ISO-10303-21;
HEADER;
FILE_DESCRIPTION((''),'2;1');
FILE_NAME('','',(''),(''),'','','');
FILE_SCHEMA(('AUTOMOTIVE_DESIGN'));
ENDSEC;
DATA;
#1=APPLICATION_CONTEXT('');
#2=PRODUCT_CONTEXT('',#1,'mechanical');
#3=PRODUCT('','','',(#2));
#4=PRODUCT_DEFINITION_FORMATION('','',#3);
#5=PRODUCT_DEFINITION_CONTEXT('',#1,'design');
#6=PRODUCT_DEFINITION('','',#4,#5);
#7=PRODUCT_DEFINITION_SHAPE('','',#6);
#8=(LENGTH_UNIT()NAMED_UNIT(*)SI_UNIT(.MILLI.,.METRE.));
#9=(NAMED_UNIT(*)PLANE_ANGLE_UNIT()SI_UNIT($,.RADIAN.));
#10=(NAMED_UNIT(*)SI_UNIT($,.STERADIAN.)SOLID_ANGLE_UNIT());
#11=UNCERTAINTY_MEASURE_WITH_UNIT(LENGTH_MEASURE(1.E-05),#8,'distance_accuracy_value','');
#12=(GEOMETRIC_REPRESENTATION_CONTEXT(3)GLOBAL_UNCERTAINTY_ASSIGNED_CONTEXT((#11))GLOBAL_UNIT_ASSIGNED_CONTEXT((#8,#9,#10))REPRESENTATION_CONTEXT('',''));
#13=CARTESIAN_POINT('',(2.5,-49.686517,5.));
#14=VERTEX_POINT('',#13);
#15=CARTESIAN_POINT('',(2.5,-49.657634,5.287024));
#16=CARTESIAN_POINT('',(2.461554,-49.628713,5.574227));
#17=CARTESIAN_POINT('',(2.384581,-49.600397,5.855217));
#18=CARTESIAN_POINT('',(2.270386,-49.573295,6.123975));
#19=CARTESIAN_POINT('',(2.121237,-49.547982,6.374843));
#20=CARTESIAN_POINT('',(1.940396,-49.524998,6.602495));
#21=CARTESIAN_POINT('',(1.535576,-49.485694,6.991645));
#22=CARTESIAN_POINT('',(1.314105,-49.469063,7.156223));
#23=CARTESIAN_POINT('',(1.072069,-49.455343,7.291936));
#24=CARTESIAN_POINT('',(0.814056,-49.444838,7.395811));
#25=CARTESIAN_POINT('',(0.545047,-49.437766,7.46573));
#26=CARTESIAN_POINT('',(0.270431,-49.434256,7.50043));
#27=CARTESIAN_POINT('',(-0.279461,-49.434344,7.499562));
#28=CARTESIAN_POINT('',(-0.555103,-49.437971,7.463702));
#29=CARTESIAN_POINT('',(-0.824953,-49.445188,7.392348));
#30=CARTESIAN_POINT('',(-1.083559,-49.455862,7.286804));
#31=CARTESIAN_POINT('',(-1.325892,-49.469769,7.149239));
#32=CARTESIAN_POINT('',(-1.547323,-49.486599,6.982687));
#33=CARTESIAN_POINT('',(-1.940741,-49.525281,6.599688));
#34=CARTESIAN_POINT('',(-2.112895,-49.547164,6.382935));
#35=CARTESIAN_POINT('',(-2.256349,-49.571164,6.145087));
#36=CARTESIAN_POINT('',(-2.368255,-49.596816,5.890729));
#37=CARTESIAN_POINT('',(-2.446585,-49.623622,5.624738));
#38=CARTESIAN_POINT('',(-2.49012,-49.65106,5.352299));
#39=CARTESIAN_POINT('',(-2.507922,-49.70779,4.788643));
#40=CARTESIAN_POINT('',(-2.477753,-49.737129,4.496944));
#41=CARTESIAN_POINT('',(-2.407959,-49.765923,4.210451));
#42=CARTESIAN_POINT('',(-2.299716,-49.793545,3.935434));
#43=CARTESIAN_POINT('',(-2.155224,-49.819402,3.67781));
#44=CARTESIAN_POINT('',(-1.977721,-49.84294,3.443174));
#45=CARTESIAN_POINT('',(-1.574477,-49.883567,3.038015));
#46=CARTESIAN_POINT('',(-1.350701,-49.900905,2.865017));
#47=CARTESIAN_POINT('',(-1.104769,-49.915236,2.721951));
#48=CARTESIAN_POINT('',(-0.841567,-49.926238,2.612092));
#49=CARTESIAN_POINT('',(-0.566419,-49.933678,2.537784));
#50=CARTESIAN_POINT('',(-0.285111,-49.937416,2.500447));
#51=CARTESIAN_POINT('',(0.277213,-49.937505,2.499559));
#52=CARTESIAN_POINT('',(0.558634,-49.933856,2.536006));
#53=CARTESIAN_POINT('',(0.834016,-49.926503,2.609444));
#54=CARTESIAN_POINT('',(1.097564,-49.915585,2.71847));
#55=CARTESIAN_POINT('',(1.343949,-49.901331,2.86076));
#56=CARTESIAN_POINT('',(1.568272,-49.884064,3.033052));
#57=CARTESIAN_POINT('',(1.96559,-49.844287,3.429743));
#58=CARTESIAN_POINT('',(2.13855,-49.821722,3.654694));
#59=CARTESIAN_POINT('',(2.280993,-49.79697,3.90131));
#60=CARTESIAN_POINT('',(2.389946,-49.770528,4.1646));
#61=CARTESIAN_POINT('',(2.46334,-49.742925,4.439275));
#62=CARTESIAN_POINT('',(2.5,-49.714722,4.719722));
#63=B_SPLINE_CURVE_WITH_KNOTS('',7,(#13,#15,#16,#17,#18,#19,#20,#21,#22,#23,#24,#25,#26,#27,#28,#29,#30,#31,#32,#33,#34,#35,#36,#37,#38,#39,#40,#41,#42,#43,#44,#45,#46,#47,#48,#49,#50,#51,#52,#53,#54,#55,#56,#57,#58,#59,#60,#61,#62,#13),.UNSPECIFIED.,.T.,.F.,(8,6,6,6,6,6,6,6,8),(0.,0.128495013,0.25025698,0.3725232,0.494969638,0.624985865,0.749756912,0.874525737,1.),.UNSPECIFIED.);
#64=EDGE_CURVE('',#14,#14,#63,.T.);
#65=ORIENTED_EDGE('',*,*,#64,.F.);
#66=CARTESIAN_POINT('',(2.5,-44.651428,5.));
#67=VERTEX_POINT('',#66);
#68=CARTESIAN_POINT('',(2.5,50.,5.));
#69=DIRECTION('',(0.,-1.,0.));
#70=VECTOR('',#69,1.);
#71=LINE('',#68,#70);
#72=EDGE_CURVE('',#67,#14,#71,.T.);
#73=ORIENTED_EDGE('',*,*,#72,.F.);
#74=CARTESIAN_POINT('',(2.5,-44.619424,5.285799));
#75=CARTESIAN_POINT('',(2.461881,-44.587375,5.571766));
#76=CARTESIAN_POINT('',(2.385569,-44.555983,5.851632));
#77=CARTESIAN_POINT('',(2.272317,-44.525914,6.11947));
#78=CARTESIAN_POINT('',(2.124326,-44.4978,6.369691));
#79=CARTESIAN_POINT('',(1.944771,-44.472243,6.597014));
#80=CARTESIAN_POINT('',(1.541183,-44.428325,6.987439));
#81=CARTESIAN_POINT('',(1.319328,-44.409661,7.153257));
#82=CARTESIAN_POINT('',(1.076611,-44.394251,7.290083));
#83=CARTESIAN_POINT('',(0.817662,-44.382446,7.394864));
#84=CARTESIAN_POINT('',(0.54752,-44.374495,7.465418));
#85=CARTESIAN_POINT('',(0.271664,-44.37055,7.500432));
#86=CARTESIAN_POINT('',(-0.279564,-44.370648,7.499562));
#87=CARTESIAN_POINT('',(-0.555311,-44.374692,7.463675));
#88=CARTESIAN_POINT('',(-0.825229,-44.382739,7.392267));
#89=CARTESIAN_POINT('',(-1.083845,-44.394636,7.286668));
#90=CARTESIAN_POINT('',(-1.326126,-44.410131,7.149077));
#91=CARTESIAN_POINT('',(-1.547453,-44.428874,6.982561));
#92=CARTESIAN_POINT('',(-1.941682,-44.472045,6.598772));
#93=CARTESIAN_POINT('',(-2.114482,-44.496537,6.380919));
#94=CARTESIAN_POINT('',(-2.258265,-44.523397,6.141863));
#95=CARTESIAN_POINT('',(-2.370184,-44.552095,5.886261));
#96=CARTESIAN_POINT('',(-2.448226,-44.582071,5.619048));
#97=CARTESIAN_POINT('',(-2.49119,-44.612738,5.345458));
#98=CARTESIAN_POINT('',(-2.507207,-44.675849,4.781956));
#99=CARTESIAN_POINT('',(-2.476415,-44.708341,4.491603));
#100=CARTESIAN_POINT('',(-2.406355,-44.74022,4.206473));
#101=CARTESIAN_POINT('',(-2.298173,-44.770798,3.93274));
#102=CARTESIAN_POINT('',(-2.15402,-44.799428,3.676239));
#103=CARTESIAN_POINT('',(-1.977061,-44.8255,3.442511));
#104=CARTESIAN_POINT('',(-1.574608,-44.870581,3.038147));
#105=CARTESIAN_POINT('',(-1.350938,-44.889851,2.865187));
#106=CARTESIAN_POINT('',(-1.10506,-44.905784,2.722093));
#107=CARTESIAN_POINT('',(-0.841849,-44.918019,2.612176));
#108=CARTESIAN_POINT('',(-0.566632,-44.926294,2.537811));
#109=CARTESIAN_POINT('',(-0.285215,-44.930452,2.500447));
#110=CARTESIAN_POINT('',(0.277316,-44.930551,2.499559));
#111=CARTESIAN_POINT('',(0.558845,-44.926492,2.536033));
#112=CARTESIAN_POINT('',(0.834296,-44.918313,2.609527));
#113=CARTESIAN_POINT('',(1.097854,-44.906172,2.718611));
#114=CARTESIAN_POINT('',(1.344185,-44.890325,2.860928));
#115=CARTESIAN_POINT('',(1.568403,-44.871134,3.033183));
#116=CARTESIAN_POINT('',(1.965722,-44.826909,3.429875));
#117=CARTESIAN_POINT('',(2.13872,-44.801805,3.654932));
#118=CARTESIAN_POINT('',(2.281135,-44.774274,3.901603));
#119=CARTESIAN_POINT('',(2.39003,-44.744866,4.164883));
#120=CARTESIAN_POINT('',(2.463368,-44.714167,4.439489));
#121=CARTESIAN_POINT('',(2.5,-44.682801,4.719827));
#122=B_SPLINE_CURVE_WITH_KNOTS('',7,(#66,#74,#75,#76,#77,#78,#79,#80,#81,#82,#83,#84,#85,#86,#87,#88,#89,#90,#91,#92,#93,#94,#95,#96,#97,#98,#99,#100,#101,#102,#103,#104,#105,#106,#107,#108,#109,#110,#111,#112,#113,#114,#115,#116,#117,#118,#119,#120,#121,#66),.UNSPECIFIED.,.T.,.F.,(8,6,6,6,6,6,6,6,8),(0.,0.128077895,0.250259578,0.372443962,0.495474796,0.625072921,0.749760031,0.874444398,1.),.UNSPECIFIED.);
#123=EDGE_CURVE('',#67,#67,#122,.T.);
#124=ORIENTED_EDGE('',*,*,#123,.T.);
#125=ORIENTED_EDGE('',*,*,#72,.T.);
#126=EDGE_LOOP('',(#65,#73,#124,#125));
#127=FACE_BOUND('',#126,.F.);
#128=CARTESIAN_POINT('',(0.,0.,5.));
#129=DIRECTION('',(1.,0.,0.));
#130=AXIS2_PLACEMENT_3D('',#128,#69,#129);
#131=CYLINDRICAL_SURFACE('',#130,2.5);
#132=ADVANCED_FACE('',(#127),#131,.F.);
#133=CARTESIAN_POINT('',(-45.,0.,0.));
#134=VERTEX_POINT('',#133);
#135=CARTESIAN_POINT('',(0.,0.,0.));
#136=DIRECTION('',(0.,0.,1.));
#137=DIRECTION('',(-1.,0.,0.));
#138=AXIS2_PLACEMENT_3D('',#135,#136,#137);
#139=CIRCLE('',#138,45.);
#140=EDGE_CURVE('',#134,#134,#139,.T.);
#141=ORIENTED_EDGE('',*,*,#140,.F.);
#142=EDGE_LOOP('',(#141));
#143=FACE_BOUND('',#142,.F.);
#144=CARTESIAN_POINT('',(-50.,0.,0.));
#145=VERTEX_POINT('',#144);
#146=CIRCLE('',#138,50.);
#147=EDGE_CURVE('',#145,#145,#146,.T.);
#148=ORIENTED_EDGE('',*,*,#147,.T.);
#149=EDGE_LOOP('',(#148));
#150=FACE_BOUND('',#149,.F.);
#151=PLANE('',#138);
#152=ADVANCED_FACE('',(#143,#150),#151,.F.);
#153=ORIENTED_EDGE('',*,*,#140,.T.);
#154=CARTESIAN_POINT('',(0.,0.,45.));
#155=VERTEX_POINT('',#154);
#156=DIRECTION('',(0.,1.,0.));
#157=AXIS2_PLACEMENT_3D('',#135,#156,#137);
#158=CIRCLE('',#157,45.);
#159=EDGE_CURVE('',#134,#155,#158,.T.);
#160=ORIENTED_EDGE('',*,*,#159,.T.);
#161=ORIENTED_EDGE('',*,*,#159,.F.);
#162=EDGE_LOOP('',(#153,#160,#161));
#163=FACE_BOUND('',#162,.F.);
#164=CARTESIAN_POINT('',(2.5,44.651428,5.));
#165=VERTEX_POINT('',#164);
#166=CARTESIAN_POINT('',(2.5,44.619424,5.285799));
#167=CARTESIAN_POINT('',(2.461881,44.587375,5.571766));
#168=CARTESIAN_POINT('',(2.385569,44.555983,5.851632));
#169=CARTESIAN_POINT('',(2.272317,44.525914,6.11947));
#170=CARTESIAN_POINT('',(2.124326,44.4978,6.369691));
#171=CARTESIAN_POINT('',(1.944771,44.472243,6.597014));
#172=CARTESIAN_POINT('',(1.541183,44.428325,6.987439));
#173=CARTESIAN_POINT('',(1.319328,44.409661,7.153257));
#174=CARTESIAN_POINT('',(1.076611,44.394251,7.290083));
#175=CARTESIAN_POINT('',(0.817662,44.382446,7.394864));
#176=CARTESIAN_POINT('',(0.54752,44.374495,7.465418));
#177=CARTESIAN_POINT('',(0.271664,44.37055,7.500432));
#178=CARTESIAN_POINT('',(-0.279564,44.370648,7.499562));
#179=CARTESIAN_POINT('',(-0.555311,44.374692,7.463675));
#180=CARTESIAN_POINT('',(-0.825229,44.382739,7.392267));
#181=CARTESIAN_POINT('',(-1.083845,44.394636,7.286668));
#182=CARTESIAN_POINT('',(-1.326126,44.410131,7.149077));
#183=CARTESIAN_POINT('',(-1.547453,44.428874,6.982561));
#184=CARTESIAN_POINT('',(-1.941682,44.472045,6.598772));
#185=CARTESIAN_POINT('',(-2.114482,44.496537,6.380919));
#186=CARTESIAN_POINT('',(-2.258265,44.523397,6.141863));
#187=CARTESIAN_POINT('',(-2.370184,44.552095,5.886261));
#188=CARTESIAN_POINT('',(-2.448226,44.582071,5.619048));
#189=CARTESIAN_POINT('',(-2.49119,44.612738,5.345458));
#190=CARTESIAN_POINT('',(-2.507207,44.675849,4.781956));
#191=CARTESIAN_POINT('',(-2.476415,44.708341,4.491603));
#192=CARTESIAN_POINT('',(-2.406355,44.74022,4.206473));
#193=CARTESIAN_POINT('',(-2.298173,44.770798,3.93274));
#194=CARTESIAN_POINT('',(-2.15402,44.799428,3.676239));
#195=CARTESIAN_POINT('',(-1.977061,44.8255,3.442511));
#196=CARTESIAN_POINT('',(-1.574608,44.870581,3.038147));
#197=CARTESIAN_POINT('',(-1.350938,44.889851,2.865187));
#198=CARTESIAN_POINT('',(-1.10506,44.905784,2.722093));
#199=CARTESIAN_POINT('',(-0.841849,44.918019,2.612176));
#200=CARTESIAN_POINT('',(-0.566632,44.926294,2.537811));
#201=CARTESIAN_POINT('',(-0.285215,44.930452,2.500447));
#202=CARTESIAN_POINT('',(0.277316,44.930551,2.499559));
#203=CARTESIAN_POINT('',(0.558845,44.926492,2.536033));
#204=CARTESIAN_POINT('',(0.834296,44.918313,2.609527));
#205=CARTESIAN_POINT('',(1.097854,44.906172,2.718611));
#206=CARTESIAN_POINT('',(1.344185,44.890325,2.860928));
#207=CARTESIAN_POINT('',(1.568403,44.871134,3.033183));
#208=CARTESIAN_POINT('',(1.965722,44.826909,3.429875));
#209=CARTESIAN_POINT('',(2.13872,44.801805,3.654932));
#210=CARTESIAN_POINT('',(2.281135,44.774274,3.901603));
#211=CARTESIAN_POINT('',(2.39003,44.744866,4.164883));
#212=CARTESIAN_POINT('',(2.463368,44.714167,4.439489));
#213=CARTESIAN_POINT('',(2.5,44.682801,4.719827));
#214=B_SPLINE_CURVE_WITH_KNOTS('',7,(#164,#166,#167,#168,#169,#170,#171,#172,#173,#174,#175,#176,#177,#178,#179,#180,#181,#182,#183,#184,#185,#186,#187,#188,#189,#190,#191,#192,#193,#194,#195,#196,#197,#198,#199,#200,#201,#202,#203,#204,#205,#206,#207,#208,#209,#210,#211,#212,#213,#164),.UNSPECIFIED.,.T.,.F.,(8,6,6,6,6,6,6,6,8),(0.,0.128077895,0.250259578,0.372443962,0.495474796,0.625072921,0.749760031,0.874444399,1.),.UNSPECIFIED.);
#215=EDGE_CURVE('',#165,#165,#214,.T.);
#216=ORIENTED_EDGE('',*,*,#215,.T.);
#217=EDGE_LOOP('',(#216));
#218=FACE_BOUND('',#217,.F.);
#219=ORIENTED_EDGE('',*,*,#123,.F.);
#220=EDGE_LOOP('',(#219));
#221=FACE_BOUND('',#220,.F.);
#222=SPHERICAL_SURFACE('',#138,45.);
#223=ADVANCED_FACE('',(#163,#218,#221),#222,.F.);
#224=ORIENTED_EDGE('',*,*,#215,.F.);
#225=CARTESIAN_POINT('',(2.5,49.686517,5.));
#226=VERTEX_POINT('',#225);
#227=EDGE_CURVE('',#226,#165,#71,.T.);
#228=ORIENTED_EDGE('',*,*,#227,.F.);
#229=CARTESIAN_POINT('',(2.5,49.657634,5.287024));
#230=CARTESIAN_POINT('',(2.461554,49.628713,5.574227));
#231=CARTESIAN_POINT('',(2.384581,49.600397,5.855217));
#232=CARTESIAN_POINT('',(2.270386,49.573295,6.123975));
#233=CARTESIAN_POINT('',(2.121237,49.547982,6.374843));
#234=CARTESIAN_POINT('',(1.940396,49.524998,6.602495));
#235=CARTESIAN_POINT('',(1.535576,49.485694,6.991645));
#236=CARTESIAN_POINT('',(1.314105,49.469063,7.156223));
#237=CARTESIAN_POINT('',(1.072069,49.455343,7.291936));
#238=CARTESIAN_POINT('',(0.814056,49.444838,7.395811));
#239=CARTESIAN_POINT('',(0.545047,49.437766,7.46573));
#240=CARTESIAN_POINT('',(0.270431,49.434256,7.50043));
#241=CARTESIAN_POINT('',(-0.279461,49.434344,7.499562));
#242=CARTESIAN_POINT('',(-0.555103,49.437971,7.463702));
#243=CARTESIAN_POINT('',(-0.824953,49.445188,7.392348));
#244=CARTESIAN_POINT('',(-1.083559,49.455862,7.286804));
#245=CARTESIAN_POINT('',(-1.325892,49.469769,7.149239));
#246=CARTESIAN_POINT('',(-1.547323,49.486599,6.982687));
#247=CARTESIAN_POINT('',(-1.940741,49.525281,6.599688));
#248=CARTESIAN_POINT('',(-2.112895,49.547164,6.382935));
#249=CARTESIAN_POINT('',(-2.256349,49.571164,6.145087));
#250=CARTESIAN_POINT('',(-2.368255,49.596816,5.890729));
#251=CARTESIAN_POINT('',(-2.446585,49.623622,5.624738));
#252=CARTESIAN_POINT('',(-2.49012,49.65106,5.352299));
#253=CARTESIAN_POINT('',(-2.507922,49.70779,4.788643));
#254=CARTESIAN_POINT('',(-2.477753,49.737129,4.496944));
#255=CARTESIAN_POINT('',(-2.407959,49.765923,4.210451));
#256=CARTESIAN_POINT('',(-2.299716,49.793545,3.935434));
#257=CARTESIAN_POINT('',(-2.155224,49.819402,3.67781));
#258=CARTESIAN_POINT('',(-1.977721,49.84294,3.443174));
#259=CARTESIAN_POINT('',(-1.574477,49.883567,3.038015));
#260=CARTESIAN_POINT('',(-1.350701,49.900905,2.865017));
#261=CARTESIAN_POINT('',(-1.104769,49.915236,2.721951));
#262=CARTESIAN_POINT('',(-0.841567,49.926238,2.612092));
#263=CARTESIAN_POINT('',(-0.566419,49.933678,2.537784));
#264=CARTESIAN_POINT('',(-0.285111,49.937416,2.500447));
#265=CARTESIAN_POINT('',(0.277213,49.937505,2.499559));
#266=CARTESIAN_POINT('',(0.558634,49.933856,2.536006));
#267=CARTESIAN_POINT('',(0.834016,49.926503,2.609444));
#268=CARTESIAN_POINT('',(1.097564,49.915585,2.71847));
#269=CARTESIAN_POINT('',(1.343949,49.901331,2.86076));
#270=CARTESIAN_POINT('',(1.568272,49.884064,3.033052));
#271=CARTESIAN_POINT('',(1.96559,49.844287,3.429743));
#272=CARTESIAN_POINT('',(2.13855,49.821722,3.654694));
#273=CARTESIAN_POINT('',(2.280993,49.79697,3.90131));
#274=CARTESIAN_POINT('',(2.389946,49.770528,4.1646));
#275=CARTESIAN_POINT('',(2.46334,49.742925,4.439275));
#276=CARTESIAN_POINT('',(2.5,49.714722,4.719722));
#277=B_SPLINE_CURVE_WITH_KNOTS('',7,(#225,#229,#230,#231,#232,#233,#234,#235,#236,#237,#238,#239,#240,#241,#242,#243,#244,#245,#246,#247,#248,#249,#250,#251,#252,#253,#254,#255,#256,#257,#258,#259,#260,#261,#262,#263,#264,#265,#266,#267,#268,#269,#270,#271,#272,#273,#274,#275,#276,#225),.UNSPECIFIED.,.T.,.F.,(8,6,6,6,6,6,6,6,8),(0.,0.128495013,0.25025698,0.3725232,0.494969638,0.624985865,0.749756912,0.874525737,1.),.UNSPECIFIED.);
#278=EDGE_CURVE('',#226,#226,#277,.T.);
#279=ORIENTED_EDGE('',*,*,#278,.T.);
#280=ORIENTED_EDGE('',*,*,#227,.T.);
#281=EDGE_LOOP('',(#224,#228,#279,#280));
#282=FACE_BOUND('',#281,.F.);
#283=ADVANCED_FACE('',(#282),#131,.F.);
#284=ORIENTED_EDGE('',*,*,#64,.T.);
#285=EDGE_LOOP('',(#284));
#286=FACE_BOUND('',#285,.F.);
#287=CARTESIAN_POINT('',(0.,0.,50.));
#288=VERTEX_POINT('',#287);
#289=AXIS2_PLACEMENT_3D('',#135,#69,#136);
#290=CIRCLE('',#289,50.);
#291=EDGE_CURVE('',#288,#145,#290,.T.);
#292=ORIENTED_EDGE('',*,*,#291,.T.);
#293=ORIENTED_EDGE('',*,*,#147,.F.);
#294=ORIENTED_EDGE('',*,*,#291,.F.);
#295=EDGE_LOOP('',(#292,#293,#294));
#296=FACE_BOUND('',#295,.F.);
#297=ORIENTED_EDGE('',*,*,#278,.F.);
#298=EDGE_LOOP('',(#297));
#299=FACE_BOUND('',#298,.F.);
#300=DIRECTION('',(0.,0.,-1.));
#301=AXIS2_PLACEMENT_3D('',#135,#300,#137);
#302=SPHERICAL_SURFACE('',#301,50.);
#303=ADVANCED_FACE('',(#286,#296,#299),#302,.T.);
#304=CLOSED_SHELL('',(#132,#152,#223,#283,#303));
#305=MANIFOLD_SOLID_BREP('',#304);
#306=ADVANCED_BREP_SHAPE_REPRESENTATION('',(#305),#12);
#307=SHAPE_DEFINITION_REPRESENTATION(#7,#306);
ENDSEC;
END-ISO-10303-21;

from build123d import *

# Parameters (mm, degrees)
F2_R     = 2.5
F3_DEPTH = 50


with BuildPart() as f1:
    # F0 (on Front) → F1 (revolve)
    with BuildSketch(Plane.XZ):
        with BuildLine():
            Line((0, 45), (0, 50))
            ThreePointArc((0, 50), (-35.3553390593, 35.3553390593), (-50, 0))
            Line((-50, 0), (-45, 0))
            ThreePointArc((-45, 0), (-31.8198051534, 31.8198051534), (0, 45))
        make_face()
    revolve(axis=Axis((0, 0, 47.5), (0, 0, 1)))

    # F2 (on Front) → F3 (cut, symmetric)
    with BuildSketch(Plane.XZ):
        with Locations((0, 5)):
            Circle(F2_R)
    extrude(amount=F3_DEPTH, both=True, mode=Mode.SUBTRACT)


solid = f1.part
